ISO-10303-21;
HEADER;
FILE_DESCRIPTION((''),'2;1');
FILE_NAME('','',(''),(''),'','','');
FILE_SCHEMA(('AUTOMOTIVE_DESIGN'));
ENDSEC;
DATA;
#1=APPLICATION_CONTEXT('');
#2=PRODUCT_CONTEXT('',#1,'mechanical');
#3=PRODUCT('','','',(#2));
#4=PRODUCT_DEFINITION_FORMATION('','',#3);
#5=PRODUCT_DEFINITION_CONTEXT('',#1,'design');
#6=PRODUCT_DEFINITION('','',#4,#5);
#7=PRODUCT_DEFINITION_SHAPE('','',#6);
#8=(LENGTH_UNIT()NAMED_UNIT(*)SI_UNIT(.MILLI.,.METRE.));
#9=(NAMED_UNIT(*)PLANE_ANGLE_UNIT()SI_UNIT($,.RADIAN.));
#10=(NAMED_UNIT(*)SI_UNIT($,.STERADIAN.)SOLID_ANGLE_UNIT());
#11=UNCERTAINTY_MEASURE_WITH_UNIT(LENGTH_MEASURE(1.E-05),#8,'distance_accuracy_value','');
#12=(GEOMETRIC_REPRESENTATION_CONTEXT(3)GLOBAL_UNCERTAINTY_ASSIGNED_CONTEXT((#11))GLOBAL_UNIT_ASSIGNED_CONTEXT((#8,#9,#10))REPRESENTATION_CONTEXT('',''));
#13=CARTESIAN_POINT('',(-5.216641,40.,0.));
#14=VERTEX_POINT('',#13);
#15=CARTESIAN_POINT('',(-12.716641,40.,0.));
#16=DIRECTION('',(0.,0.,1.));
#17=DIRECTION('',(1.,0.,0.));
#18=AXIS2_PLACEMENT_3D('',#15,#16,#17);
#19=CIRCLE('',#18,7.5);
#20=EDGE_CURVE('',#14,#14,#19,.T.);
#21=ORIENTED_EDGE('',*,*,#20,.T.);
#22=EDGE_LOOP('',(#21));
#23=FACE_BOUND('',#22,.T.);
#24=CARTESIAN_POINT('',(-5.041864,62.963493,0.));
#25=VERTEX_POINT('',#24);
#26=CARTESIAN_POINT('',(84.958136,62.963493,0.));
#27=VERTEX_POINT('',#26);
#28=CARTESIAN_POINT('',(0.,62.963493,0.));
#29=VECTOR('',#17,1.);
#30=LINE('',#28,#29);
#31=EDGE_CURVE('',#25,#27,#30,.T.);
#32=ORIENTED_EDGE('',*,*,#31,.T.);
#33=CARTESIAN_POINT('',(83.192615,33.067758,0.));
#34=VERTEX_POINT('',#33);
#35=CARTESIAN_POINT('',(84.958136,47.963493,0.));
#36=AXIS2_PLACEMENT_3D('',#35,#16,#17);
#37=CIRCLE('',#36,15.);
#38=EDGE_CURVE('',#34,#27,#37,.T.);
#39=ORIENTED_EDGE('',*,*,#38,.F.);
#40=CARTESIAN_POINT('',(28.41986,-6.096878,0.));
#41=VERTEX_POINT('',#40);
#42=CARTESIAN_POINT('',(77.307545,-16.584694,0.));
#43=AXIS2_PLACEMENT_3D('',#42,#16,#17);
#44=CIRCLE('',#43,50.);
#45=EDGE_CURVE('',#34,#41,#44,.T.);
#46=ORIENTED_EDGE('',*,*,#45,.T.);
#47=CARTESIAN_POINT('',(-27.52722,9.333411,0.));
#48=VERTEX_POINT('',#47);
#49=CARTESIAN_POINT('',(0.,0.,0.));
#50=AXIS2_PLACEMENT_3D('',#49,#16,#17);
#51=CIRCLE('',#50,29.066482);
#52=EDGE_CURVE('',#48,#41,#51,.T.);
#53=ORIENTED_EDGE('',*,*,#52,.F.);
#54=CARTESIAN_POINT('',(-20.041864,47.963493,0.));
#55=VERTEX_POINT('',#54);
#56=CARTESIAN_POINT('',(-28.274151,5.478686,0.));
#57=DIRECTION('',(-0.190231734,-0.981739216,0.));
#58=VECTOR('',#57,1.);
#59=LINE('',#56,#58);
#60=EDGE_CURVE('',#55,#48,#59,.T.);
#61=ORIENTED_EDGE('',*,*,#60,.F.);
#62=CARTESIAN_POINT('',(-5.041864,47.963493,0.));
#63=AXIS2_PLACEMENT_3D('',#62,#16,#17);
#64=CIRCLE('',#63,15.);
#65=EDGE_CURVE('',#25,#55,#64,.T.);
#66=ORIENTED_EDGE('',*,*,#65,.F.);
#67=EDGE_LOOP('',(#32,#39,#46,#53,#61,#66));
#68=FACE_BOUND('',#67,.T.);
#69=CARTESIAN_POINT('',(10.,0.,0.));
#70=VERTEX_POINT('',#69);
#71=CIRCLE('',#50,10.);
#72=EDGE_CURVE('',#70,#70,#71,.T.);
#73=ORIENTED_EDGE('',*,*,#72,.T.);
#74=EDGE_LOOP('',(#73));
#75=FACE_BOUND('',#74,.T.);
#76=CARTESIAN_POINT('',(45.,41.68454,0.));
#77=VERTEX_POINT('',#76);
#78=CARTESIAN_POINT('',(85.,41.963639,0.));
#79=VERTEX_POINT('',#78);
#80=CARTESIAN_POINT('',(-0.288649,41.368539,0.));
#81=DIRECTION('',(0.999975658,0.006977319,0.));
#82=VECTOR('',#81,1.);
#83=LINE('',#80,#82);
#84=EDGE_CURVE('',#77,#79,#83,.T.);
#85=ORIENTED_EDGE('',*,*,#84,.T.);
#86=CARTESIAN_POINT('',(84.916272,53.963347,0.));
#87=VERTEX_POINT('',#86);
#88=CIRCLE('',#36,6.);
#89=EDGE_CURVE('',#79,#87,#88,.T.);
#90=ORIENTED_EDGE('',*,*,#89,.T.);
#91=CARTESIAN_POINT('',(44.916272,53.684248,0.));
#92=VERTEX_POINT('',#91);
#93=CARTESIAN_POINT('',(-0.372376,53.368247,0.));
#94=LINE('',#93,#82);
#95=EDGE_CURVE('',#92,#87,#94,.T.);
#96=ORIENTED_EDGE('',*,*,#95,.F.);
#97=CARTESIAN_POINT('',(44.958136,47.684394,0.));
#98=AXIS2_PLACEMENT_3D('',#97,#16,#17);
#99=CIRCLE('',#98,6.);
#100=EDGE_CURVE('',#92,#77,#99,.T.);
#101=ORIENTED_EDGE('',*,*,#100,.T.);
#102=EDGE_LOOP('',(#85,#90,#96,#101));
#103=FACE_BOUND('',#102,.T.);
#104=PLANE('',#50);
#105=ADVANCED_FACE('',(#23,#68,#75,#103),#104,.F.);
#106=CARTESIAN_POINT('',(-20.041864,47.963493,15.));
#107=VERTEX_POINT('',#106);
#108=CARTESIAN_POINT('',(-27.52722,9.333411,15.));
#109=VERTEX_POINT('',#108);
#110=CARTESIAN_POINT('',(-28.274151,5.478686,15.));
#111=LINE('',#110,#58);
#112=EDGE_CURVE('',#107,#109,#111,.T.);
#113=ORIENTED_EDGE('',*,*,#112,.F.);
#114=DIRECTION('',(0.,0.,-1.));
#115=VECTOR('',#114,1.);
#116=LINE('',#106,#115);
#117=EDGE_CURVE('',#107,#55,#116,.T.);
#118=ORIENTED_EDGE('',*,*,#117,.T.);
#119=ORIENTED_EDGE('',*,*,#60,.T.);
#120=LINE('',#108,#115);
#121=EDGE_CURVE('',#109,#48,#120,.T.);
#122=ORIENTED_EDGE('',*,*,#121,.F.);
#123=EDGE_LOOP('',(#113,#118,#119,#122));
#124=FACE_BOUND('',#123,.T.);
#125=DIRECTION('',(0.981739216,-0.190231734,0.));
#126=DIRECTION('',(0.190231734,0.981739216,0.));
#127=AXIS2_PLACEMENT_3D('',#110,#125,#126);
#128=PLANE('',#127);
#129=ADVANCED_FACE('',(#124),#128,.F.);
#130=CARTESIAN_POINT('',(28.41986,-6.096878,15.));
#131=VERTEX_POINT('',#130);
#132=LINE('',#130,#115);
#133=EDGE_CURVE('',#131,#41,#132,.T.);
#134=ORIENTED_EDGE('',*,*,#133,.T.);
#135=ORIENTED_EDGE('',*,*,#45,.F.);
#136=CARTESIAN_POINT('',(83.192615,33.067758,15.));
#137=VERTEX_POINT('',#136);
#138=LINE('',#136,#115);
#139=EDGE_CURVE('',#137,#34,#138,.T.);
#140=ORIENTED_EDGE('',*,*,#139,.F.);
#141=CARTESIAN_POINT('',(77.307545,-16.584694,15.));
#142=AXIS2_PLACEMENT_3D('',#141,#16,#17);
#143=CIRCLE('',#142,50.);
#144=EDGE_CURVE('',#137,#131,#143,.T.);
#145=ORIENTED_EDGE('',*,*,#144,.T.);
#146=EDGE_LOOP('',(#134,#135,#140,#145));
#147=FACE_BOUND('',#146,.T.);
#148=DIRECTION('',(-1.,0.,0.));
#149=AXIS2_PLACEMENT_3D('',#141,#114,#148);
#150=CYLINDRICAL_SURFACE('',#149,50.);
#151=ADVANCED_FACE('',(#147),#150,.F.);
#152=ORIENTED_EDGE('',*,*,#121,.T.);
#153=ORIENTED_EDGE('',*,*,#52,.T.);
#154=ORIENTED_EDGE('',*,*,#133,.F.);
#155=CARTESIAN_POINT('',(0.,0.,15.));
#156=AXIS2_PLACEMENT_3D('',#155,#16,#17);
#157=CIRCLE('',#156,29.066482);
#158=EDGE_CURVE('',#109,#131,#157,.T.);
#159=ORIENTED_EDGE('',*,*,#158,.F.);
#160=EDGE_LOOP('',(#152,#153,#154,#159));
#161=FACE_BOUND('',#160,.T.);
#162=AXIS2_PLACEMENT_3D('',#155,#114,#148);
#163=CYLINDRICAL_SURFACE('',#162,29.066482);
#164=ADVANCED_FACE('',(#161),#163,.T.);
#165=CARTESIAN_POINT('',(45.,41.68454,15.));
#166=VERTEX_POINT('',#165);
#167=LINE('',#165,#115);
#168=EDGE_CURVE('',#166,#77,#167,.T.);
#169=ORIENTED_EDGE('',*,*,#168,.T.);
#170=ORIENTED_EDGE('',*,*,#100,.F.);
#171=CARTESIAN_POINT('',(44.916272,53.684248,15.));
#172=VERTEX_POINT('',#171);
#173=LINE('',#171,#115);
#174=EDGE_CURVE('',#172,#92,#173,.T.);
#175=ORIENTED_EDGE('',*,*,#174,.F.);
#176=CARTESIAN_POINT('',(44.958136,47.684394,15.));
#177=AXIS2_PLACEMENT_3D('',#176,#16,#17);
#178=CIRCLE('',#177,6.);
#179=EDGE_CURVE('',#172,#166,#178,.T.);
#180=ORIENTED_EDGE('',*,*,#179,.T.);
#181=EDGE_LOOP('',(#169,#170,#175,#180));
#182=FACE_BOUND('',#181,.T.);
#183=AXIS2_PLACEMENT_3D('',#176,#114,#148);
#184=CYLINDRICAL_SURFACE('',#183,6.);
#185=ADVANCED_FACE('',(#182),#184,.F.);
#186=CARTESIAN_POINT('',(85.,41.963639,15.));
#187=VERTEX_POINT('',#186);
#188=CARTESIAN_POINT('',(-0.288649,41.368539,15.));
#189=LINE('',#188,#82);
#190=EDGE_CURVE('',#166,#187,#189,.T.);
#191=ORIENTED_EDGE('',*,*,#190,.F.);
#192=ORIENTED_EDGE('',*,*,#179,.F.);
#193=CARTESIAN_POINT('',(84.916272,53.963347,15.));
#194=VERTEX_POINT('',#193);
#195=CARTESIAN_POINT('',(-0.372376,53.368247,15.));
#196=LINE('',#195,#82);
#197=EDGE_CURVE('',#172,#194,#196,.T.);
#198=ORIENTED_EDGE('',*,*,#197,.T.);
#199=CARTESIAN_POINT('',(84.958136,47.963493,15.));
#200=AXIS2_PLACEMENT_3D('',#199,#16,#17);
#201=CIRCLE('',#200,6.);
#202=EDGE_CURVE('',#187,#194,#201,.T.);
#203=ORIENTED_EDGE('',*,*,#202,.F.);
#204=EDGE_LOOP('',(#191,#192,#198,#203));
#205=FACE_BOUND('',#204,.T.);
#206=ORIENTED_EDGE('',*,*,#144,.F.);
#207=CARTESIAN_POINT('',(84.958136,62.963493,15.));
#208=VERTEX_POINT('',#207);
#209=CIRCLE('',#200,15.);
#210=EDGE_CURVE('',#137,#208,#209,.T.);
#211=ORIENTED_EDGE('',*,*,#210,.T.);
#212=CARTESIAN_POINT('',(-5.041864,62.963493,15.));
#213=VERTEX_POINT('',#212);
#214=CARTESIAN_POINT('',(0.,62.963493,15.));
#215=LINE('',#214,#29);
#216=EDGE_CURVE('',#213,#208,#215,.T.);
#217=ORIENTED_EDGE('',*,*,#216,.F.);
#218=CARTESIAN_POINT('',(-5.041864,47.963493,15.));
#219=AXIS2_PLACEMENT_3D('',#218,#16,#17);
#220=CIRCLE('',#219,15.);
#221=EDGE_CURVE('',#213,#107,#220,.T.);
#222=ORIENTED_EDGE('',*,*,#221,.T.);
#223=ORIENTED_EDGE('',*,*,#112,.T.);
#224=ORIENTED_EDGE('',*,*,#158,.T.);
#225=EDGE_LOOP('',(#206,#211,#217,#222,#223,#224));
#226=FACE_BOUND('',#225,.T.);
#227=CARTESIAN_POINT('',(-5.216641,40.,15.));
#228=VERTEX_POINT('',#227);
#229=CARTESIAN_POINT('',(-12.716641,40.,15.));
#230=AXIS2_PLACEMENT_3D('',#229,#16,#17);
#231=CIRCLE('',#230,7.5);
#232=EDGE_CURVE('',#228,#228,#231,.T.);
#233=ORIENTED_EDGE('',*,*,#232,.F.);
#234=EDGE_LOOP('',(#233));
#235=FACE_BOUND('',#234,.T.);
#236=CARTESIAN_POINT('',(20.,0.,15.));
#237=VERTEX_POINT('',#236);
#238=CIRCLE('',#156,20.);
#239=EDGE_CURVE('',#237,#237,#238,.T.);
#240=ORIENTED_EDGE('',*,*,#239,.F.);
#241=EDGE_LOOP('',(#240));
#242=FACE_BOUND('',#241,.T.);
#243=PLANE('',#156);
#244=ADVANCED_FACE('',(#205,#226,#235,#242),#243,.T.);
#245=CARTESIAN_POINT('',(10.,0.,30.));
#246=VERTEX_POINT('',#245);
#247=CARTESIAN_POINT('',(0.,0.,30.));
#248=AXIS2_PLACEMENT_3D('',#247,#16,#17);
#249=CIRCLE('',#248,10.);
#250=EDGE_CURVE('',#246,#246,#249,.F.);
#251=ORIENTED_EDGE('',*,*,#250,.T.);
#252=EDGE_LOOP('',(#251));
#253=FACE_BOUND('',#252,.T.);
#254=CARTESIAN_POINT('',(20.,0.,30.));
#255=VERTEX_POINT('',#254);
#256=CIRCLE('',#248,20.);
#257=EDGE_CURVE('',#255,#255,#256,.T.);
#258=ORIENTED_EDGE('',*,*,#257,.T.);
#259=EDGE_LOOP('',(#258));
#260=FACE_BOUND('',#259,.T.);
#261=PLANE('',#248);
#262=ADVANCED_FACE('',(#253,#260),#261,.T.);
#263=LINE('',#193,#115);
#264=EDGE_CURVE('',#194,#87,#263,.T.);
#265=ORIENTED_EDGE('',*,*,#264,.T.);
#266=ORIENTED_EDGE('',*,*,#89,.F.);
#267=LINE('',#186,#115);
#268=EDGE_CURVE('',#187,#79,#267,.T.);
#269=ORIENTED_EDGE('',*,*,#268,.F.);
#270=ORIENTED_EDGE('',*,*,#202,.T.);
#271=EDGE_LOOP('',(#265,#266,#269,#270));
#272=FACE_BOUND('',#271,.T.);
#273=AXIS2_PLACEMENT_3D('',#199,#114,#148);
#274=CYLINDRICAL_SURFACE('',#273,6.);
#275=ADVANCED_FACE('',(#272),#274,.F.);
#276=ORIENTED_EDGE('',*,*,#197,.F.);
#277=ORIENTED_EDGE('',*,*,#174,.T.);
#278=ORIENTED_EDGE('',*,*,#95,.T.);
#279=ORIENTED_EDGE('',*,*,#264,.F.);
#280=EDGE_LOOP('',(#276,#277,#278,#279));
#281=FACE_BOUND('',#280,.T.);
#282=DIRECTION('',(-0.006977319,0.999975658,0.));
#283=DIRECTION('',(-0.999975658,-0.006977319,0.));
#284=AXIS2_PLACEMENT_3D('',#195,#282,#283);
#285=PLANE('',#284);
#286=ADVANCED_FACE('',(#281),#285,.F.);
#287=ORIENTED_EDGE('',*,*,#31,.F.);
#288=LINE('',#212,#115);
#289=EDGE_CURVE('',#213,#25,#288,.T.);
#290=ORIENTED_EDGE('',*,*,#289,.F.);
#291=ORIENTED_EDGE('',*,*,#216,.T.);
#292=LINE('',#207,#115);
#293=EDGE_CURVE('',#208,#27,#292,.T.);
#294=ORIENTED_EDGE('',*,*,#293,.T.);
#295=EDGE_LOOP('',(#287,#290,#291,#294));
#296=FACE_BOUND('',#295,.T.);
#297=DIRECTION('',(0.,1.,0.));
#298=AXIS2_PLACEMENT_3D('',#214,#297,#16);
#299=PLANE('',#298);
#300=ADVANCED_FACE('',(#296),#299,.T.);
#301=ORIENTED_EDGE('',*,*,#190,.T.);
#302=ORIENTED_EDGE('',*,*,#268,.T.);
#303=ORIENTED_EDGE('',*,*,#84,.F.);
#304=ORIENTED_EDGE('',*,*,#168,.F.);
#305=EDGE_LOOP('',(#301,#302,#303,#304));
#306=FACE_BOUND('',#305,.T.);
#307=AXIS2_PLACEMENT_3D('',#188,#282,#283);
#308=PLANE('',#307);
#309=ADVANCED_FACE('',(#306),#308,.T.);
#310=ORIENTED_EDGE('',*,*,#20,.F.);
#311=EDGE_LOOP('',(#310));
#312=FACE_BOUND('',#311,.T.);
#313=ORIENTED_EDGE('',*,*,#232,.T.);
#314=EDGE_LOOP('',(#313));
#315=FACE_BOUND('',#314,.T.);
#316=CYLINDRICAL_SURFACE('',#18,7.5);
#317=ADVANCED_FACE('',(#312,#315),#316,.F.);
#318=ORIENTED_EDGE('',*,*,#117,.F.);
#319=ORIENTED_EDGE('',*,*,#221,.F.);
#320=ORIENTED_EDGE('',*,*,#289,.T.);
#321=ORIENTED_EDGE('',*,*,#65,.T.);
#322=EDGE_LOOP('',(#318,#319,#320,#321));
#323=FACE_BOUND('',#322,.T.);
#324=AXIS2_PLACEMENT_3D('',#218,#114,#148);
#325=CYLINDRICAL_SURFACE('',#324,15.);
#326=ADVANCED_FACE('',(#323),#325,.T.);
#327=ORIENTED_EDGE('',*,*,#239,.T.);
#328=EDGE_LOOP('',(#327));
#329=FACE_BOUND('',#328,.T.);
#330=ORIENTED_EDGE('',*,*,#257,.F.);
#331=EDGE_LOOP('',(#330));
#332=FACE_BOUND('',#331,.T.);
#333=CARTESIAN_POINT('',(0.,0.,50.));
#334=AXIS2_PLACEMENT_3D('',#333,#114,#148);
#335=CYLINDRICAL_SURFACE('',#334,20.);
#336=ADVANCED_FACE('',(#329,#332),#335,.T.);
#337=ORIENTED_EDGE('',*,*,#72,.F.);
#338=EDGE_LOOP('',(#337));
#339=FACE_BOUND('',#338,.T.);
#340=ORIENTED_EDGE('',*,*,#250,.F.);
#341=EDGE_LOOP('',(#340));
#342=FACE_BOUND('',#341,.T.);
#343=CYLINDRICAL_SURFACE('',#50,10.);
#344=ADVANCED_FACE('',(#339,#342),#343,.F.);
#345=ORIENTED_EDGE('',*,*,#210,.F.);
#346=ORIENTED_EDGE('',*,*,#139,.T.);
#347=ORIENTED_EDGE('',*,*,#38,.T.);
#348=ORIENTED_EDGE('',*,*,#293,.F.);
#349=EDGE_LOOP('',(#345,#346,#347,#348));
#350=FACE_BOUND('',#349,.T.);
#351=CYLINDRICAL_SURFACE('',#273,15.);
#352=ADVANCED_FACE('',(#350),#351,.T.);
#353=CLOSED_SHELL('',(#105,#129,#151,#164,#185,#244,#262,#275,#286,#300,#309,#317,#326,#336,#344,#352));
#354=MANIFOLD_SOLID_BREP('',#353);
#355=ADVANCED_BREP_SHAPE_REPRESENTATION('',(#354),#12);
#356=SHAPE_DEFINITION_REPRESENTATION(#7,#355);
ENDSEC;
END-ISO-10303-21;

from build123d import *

# Parameters (mm, degrees)
BOSS_EXTRUDE2_DEPTH = 15
SKETCH2_R           = 20
BOSS_EXTRUDE3_DEPTH = 35
SKETCH3_R           = 10
CUT_EXTRUDE2_DEPTH  = 51
SKETCH6_R           = 20
CUT_EXTRUDE3_DEPTH  = 20
SKETCH7_R           = 7.5
CUT_EXTRUDE4_DEPTH  = 31


with BuildPart() as part:
    # Sketch1 → Boss-Extrude2 (new body)
    with BuildSketch(Plane.XY):
        with BuildLine():
            Line((84.958136085, 62.963493234), (-5.041863915, 62.963493234))
            ThreePointArc((-5.041863915, 62.963493234), (-15.648465633, 58.570094952), (-20.041863915, 47.963493234))
            Line((-20.041863915, 47.963493234), (-27.527219981, 9.333410593))
            ThreePointArc((-27.527219981, 9.333410593), (-7.728043394, -28.020309393), (28.419860478, -6.096878185))
            ThreePointArc((28.419860478, -6.096878185), (48.225361717, 24.087490733), (83.192615122, 33.067757746))
            ThreePointArc((83.192615122, 33.067757746), (99.932047269, 47.079194733), (84.958136085, 62.963493234))
        make_face()
        with BuildLine():
            ThreePointArc((45, 41.684539724), (38.958282136, 47.642529759), (44.91627217, 53.684247623))
            Line((44.91627217, 53.684247623), (84.91627217, 53.963347184))
            ThreePointArc((84.91627217, 53.963347184), (90.957990034, 48.005357149), (85, 41.963639285))
            Line((85, 41.963639285), (45, 41.684539724))
        make_face(mode=Mode.SUBTRACT)
    extrude(amount=BOSS_EXTRUDE2_DEPTH)

    # Sketch2 → Boss-Extrude3 (add)
    with BuildSketch(Plane.XY.offset(15)):
        Circle(SKETCH2_R)
    extrude(amount=BOSS_EXTRUDE3_DEPTH)

    # Sketch3 → Cut-Extrude2 (cut, through all)
    with BuildSketch(Plane.XY.offset(50)):
        Circle(SKETCH3_R)
    extrude(amount=-CUT_EXTRUDE2_DEPTH, mode=Mode.SUBTRACT)

    # Sketch6 → Cut-Extrude3 (cut)
    with BuildSketch(Plane.XY.offset(50)):
        Circle(SKETCH6_R)
    extrude(amount=-CUT_EXTRUDE3_DEPTH, mode=Mode.SUBTRACT)

    # Sketch7 → Cut-Extrude4 (cut, through all)
    with BuildSketch(Plane.XY.offset(30)):
        with Locations((-12.716641072, 40)):
            Circle(SKETCH7_R)
    extrude(amount=-CUT_EXTRUDE4_DEPTH, mode=Mode.SUBTRACT)


solid = part.part
